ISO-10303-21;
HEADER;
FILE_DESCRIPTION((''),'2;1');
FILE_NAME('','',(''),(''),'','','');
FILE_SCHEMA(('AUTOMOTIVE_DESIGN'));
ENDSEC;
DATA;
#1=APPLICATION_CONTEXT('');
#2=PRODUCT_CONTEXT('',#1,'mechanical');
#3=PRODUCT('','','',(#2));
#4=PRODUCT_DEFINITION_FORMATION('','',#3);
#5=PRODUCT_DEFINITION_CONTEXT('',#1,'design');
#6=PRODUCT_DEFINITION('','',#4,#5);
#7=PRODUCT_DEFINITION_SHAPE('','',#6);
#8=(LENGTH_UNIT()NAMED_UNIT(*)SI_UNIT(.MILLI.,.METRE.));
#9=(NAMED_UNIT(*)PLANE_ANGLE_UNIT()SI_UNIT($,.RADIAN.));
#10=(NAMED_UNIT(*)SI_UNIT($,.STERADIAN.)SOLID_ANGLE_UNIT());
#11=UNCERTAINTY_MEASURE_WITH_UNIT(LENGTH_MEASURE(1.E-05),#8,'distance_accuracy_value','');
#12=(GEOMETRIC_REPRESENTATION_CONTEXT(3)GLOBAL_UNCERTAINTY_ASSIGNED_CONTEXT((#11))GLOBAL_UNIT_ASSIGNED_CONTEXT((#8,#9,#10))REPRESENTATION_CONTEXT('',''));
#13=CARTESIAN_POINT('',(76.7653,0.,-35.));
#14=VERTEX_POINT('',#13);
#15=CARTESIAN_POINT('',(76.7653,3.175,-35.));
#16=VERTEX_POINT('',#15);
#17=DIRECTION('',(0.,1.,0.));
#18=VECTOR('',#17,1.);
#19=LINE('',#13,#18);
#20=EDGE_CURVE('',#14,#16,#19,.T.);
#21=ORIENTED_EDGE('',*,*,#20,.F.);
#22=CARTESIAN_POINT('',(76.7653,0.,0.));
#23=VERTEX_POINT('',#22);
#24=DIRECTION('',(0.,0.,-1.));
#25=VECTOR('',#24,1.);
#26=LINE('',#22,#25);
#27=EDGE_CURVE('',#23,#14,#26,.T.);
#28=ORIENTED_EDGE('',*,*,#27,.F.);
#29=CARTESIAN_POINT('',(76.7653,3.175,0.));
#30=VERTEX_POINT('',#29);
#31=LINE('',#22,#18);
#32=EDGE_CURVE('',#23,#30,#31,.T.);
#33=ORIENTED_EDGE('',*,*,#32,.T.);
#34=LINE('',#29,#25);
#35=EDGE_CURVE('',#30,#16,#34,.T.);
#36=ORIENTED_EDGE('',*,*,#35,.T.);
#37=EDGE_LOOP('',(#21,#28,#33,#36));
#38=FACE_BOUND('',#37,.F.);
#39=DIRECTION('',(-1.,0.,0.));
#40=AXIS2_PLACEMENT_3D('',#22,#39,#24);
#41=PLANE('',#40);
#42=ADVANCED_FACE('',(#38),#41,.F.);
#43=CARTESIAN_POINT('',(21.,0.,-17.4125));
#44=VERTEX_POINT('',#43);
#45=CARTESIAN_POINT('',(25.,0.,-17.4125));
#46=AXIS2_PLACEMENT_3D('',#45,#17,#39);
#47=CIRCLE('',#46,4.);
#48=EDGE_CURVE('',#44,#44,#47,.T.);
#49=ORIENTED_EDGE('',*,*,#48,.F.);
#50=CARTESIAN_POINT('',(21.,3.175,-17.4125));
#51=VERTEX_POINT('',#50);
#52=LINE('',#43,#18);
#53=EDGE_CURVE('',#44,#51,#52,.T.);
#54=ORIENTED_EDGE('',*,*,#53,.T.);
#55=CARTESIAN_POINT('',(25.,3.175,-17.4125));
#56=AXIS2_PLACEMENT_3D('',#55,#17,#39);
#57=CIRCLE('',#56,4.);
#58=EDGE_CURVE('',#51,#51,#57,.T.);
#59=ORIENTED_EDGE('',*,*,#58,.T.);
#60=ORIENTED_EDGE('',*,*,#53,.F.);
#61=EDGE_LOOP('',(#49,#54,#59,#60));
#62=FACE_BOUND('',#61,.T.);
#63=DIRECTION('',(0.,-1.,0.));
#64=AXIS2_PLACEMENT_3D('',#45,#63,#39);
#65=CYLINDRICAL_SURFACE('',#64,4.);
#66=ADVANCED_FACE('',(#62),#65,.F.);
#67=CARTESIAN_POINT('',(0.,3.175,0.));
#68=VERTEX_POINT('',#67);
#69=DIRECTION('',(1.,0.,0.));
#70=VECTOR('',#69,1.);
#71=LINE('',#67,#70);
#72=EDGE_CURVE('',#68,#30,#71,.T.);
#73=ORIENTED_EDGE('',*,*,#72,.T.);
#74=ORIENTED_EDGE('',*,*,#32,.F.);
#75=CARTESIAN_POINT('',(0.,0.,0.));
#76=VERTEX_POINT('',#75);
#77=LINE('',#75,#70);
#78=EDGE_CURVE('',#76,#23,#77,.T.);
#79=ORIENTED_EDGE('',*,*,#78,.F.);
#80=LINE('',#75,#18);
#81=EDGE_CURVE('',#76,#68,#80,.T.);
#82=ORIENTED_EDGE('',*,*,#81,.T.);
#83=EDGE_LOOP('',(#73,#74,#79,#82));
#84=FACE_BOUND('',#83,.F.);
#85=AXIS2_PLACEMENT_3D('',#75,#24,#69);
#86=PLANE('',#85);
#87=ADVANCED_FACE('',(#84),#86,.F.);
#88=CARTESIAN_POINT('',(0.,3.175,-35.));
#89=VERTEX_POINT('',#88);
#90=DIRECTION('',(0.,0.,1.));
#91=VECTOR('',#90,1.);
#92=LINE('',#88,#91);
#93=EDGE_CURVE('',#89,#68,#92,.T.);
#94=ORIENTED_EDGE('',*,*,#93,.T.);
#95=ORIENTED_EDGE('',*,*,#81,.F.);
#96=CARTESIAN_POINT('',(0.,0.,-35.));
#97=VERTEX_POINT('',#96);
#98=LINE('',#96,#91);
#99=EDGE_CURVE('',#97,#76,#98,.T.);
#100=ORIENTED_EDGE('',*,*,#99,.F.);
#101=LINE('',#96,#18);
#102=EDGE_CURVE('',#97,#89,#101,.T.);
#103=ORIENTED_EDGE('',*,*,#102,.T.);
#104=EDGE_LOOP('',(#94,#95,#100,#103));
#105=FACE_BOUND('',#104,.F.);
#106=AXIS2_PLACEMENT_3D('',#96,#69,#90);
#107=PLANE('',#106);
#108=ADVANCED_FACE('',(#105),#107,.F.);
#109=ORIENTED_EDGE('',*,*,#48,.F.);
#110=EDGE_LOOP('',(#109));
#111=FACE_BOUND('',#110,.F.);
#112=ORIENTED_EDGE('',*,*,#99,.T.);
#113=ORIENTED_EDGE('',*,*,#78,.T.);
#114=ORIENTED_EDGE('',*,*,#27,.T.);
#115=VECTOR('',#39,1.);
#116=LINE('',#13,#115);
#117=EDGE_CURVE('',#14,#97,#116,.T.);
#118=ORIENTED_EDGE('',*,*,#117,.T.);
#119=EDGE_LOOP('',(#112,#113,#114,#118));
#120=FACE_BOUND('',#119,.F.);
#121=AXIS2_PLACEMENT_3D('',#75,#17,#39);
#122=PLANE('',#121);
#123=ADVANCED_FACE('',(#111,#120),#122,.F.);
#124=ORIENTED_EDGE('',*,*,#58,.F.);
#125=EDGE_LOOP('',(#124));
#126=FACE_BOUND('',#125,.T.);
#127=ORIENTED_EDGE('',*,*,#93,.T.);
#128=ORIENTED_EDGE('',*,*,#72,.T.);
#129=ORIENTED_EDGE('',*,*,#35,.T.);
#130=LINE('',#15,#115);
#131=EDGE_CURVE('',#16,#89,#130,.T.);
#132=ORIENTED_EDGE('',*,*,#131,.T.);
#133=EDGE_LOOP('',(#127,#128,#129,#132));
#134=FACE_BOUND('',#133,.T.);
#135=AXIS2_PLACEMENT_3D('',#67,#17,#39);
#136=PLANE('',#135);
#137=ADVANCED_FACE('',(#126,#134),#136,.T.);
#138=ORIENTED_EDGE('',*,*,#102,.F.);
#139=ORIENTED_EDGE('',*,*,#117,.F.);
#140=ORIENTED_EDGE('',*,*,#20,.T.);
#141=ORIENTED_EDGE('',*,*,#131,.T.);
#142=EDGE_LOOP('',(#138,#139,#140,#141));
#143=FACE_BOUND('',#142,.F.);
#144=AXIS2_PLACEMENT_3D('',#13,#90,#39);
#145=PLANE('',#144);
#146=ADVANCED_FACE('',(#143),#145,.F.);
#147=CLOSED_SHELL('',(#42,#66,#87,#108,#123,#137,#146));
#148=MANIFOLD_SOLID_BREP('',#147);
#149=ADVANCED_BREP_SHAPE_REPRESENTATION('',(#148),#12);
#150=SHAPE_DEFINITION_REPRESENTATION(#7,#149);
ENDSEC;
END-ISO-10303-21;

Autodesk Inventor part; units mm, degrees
ref_plane "YZ Plane" through (0, 0, 0) normal (1, 0, 0) x (0, 1, 0)
ref_plane "XZ Plane" through (0, 0, 0) normal (0, 1, 0) x (-1, 0, 0)
ref_plane "XY Plane" through (0, 0, 0) normal (0, 0, 1) x (1, 0, 0)
sketch "Sketch1" plane through (0, 0, 0) normal (0, 1, 0) x (-1, 0, 0)
  line L0 (0, 0) -> (-76.7653, 0)
  line L1 (-76.7653, 0) -> (-76.7653, -35)
  line L2 (-76.7653, -35) -> (0, -35)
  line L3 (0, -35) -> (0, 0)
  circle A0 centre (-25, -17.4125) radius 4
  dimension "d0" = 35
  dimension "d1" = 76.7653
  dimension "d2" = 8
  dimension "d3" = 25
  dimension "d4" = 17.4125
extrude "Extrusion1" add sketch "Sketch1" along normal blind 3.175
properties part number "fire wall spacer"
